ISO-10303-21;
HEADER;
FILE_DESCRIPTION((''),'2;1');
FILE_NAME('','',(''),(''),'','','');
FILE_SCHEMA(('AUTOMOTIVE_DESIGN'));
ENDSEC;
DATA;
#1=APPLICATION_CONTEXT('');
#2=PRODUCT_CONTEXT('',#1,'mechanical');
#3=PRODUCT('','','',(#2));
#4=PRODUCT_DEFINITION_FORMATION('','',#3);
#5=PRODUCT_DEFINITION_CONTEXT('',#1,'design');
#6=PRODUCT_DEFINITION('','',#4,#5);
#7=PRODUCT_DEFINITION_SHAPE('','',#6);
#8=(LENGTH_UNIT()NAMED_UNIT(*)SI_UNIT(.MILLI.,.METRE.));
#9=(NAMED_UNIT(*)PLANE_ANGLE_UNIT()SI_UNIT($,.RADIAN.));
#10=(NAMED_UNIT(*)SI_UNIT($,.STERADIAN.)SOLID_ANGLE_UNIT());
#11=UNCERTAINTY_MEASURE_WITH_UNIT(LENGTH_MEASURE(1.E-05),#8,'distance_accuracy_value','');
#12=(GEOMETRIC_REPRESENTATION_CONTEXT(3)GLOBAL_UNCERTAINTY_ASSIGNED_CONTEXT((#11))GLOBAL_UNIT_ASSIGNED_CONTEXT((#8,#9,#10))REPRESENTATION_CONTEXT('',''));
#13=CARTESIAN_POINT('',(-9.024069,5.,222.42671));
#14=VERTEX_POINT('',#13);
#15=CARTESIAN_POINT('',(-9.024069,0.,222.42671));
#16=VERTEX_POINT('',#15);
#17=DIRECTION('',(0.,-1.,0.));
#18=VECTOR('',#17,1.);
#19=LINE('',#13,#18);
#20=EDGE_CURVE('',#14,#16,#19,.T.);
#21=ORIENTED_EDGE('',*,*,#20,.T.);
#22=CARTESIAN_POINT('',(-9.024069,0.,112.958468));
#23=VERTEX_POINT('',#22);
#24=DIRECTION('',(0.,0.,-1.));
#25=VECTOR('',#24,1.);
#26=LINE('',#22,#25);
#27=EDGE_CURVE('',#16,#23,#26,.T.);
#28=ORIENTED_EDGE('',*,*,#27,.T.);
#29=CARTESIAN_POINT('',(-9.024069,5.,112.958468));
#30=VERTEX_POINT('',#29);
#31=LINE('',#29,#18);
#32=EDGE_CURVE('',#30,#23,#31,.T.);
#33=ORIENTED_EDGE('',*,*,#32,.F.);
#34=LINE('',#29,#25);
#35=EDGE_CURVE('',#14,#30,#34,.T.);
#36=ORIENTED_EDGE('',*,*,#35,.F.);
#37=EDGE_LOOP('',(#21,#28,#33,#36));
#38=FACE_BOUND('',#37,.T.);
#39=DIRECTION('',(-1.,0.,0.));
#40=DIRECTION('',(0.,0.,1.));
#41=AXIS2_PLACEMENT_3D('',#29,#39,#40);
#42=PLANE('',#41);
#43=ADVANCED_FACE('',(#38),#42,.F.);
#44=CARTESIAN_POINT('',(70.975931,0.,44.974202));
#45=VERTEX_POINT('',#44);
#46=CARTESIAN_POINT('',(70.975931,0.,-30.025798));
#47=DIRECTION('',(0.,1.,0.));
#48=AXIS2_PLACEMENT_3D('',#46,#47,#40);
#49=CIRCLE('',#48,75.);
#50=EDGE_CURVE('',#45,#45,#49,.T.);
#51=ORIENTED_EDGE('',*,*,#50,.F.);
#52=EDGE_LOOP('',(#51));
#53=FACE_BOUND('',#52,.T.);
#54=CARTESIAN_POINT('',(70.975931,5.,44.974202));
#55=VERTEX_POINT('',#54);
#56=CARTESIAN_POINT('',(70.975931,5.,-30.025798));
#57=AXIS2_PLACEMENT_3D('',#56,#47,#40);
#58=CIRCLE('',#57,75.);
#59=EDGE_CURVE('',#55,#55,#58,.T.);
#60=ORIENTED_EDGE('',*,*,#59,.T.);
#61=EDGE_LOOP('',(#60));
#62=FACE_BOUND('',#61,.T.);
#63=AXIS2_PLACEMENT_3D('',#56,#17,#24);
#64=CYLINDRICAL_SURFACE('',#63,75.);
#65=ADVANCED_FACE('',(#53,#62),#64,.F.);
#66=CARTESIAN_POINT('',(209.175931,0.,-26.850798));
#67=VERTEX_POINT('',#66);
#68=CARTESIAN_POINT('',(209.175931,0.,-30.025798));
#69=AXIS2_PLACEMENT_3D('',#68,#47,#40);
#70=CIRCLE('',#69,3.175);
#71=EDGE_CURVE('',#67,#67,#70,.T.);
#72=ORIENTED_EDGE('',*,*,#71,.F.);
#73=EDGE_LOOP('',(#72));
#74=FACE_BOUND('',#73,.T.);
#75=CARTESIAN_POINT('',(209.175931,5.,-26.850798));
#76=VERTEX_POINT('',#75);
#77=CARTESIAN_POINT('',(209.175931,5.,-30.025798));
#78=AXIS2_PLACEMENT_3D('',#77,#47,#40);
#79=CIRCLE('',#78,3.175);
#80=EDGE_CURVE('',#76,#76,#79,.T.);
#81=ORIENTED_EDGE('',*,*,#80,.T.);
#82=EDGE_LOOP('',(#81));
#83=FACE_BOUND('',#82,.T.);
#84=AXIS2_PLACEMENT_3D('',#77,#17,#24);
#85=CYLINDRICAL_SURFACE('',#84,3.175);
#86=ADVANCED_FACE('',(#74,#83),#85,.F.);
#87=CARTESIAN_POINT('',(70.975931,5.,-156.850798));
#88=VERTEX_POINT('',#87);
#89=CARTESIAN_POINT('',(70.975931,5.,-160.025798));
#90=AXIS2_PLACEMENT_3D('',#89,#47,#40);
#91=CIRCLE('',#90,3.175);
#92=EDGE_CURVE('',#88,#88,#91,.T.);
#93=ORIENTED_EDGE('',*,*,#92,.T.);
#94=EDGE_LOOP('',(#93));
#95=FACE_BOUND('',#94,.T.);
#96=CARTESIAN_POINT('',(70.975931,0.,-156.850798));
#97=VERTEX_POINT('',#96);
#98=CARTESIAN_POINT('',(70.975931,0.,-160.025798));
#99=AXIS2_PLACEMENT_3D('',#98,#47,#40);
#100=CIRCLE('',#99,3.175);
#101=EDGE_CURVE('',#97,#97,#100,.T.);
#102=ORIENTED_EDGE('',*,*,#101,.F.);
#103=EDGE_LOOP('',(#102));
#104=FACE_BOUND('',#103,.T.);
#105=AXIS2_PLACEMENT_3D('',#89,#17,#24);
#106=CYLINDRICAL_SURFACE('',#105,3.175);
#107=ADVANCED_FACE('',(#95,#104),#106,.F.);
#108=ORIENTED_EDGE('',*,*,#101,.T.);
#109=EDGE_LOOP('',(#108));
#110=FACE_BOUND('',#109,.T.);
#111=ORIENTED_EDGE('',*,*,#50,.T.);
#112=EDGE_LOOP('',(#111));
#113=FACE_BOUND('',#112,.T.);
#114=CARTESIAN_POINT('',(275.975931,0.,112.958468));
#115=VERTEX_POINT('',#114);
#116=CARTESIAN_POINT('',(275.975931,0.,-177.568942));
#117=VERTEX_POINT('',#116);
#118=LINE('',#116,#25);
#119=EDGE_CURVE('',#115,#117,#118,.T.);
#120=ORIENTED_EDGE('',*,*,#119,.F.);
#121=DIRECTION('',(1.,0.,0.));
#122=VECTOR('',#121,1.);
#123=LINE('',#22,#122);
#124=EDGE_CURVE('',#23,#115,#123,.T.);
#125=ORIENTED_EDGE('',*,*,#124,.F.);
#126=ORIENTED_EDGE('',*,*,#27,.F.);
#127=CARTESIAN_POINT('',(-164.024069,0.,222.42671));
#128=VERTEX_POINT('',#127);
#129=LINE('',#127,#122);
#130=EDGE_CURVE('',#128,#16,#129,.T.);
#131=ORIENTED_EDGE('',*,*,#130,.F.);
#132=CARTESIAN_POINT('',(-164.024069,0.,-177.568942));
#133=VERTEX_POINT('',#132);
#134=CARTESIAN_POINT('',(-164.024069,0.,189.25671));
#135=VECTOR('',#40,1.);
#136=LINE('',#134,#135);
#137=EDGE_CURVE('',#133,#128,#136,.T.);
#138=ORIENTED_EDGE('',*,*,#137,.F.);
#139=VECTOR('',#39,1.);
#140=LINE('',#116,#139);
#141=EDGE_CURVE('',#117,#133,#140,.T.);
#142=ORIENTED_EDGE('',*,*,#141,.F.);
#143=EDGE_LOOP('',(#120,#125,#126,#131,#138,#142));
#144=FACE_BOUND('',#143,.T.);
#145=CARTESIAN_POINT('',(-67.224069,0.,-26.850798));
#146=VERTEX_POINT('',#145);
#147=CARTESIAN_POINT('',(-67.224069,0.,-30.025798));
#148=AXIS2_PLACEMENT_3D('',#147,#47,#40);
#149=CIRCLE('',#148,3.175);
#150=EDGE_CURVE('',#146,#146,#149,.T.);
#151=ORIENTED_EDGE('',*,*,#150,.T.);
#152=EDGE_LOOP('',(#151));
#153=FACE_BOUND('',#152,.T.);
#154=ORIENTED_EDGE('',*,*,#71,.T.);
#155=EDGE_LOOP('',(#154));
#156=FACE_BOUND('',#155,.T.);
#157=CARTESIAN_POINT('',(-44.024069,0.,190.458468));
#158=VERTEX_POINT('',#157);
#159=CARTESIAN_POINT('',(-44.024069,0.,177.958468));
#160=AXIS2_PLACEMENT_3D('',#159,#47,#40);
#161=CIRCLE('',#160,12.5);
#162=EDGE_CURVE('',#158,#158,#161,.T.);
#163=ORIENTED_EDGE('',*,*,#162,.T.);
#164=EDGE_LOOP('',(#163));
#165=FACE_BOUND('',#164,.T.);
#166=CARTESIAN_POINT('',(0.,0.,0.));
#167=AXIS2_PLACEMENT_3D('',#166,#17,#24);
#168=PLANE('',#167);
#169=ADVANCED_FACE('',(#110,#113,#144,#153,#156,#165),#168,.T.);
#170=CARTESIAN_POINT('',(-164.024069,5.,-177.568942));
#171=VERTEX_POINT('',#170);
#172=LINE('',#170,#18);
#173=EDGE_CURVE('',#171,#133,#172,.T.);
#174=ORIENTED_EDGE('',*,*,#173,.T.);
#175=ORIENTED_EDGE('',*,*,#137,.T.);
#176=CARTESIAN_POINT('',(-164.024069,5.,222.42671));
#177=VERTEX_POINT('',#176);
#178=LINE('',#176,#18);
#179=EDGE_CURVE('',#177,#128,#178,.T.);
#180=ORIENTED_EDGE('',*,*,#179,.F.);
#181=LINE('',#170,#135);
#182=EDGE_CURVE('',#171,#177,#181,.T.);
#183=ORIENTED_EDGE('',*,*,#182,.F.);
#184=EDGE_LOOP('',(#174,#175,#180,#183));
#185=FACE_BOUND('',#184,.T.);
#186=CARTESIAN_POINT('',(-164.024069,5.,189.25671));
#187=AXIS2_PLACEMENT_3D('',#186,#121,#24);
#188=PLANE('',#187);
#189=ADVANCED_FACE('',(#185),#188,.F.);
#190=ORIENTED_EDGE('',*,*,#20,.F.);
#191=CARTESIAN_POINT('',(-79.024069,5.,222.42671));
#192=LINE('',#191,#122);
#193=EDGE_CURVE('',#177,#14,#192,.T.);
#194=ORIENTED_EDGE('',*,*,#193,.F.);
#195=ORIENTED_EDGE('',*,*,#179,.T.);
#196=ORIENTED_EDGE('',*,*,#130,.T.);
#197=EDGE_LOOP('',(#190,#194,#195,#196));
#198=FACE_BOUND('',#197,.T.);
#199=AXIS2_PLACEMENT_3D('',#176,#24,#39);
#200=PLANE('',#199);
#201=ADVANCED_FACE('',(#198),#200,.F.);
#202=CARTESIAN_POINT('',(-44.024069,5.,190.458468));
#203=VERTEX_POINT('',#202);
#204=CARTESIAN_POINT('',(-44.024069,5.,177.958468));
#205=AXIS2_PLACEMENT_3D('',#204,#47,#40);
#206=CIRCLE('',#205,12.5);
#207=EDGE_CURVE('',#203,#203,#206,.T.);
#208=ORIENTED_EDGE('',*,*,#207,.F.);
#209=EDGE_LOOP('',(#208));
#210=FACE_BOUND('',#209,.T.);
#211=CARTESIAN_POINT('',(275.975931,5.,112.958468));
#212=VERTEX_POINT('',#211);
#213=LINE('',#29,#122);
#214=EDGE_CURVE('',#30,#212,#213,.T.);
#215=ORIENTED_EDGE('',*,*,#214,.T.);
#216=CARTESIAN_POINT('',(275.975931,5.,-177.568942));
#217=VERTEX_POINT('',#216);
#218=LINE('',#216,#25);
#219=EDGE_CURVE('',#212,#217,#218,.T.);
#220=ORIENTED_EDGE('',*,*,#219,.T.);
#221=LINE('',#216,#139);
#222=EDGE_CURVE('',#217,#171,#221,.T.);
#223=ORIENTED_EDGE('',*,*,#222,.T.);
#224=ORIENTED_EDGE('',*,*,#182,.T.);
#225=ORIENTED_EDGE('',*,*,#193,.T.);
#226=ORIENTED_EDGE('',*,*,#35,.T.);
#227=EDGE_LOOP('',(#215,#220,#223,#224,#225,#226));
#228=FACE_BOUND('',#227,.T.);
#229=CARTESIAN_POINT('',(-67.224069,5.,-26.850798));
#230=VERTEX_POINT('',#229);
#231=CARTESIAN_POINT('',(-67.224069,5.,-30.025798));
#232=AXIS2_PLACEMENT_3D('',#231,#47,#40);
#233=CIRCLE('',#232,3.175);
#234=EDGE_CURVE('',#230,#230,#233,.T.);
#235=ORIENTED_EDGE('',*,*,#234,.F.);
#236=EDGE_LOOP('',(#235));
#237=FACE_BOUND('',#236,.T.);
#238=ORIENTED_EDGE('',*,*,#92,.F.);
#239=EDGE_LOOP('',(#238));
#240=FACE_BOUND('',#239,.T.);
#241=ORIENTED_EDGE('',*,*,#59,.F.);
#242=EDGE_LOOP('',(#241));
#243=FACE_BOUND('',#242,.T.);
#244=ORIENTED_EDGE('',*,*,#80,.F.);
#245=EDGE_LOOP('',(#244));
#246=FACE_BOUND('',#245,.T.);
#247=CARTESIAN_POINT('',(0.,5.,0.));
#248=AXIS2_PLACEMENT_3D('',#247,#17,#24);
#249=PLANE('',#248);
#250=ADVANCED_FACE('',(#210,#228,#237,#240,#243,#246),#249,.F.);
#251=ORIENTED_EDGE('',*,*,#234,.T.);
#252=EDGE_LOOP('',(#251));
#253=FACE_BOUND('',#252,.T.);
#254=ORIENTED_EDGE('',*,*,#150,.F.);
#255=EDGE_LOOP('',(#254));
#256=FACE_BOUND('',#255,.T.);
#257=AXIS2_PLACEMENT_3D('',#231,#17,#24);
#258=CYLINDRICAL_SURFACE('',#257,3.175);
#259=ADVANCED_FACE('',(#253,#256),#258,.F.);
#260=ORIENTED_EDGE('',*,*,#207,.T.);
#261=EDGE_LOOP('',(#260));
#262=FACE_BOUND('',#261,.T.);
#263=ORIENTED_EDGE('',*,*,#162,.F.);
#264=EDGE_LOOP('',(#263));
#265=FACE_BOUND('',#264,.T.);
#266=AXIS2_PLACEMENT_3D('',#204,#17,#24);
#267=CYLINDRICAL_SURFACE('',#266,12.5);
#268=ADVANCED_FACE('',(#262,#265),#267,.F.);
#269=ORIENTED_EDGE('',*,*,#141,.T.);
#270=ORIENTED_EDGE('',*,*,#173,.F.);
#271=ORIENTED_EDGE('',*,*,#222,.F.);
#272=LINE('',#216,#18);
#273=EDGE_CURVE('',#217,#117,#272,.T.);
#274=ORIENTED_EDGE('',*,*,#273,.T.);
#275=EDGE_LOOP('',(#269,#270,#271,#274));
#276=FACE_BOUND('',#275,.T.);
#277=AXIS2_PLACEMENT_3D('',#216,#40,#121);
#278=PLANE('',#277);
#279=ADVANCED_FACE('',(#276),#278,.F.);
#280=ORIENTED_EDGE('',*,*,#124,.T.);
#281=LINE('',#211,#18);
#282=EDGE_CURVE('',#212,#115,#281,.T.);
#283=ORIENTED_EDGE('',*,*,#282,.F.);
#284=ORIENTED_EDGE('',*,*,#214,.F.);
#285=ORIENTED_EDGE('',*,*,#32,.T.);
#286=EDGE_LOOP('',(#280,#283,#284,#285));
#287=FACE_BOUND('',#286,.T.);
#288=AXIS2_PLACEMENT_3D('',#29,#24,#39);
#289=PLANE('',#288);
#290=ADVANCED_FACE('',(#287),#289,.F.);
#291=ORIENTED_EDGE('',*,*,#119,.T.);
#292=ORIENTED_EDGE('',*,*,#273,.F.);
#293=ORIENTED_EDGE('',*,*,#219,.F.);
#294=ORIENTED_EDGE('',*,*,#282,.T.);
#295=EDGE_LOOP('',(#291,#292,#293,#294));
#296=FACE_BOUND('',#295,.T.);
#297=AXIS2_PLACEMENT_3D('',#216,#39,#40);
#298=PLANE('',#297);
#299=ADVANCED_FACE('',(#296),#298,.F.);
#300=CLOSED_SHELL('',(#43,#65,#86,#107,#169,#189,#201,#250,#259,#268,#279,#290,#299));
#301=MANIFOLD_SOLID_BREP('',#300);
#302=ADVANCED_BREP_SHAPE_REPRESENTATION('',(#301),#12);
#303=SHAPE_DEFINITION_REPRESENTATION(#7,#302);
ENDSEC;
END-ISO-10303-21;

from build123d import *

# Parameters (mm, degrees)
CROQUIS2_R              = 75
CROQUIS2_R_2            = 3.175
CROQUIS2_R_3            = 12.5
SALIENTE_EXTRUIR2_DEPTH = 5


with BuildPart() as part:
    # Croquis2 → Saliente-Extruir2 (new body)
    with BuildSketch(Plane(origin=(0, 0, 0), x_dir=(1, 0, 0), z_dir=(0, 1, 0))):
        Polygon((-164.024069274, 177.568942162), (-164.024069274, -142.431057838), (-164.024069274, -189.256710106), (-164.024069274, -222.426710106), (-79.024069274, -222.426710106), (-9.024069274, -222.426710106), (-9.024069274, -112.958468136), (275.975930726, -112.958468136), (275.975930726, 177.568942162), align=None)
        with Locations(Location((70.975930726, 30.02579809, 0), (0, 0, 270))):
            Circle(CROQUIS2_R, mode=Mode.SUBTRACT)
        with Locations(Location((209.175930726, 30.02579809, 0), (0, 0, 270))):
            Circle(CROQUIS2_R_2, mode=Mode.SUBTRACT)
        with Locations(Location((-67.224069274, 30.02579809, 0), (0, 0, 270))):
            Circle(CROQUIS2_R_2, mode=Mode.SUBTRACT)
        with Locations(Location((70.975930726, 160.02579809, 0), (0, 0, 270))):
            Circle(CROQUIS2_R_2, mode=Mode.SUBTRACT)
        with Locations(Location((-44.024069274, -177.958468136, 0), (0, 0, 270))):
            Circle(CROQUIS2_R_3, mode=Mode.SUBTRACT)
    extrude(amount=SALIENTE_EXTRUIR2_DEPTH)


solid = part.part
